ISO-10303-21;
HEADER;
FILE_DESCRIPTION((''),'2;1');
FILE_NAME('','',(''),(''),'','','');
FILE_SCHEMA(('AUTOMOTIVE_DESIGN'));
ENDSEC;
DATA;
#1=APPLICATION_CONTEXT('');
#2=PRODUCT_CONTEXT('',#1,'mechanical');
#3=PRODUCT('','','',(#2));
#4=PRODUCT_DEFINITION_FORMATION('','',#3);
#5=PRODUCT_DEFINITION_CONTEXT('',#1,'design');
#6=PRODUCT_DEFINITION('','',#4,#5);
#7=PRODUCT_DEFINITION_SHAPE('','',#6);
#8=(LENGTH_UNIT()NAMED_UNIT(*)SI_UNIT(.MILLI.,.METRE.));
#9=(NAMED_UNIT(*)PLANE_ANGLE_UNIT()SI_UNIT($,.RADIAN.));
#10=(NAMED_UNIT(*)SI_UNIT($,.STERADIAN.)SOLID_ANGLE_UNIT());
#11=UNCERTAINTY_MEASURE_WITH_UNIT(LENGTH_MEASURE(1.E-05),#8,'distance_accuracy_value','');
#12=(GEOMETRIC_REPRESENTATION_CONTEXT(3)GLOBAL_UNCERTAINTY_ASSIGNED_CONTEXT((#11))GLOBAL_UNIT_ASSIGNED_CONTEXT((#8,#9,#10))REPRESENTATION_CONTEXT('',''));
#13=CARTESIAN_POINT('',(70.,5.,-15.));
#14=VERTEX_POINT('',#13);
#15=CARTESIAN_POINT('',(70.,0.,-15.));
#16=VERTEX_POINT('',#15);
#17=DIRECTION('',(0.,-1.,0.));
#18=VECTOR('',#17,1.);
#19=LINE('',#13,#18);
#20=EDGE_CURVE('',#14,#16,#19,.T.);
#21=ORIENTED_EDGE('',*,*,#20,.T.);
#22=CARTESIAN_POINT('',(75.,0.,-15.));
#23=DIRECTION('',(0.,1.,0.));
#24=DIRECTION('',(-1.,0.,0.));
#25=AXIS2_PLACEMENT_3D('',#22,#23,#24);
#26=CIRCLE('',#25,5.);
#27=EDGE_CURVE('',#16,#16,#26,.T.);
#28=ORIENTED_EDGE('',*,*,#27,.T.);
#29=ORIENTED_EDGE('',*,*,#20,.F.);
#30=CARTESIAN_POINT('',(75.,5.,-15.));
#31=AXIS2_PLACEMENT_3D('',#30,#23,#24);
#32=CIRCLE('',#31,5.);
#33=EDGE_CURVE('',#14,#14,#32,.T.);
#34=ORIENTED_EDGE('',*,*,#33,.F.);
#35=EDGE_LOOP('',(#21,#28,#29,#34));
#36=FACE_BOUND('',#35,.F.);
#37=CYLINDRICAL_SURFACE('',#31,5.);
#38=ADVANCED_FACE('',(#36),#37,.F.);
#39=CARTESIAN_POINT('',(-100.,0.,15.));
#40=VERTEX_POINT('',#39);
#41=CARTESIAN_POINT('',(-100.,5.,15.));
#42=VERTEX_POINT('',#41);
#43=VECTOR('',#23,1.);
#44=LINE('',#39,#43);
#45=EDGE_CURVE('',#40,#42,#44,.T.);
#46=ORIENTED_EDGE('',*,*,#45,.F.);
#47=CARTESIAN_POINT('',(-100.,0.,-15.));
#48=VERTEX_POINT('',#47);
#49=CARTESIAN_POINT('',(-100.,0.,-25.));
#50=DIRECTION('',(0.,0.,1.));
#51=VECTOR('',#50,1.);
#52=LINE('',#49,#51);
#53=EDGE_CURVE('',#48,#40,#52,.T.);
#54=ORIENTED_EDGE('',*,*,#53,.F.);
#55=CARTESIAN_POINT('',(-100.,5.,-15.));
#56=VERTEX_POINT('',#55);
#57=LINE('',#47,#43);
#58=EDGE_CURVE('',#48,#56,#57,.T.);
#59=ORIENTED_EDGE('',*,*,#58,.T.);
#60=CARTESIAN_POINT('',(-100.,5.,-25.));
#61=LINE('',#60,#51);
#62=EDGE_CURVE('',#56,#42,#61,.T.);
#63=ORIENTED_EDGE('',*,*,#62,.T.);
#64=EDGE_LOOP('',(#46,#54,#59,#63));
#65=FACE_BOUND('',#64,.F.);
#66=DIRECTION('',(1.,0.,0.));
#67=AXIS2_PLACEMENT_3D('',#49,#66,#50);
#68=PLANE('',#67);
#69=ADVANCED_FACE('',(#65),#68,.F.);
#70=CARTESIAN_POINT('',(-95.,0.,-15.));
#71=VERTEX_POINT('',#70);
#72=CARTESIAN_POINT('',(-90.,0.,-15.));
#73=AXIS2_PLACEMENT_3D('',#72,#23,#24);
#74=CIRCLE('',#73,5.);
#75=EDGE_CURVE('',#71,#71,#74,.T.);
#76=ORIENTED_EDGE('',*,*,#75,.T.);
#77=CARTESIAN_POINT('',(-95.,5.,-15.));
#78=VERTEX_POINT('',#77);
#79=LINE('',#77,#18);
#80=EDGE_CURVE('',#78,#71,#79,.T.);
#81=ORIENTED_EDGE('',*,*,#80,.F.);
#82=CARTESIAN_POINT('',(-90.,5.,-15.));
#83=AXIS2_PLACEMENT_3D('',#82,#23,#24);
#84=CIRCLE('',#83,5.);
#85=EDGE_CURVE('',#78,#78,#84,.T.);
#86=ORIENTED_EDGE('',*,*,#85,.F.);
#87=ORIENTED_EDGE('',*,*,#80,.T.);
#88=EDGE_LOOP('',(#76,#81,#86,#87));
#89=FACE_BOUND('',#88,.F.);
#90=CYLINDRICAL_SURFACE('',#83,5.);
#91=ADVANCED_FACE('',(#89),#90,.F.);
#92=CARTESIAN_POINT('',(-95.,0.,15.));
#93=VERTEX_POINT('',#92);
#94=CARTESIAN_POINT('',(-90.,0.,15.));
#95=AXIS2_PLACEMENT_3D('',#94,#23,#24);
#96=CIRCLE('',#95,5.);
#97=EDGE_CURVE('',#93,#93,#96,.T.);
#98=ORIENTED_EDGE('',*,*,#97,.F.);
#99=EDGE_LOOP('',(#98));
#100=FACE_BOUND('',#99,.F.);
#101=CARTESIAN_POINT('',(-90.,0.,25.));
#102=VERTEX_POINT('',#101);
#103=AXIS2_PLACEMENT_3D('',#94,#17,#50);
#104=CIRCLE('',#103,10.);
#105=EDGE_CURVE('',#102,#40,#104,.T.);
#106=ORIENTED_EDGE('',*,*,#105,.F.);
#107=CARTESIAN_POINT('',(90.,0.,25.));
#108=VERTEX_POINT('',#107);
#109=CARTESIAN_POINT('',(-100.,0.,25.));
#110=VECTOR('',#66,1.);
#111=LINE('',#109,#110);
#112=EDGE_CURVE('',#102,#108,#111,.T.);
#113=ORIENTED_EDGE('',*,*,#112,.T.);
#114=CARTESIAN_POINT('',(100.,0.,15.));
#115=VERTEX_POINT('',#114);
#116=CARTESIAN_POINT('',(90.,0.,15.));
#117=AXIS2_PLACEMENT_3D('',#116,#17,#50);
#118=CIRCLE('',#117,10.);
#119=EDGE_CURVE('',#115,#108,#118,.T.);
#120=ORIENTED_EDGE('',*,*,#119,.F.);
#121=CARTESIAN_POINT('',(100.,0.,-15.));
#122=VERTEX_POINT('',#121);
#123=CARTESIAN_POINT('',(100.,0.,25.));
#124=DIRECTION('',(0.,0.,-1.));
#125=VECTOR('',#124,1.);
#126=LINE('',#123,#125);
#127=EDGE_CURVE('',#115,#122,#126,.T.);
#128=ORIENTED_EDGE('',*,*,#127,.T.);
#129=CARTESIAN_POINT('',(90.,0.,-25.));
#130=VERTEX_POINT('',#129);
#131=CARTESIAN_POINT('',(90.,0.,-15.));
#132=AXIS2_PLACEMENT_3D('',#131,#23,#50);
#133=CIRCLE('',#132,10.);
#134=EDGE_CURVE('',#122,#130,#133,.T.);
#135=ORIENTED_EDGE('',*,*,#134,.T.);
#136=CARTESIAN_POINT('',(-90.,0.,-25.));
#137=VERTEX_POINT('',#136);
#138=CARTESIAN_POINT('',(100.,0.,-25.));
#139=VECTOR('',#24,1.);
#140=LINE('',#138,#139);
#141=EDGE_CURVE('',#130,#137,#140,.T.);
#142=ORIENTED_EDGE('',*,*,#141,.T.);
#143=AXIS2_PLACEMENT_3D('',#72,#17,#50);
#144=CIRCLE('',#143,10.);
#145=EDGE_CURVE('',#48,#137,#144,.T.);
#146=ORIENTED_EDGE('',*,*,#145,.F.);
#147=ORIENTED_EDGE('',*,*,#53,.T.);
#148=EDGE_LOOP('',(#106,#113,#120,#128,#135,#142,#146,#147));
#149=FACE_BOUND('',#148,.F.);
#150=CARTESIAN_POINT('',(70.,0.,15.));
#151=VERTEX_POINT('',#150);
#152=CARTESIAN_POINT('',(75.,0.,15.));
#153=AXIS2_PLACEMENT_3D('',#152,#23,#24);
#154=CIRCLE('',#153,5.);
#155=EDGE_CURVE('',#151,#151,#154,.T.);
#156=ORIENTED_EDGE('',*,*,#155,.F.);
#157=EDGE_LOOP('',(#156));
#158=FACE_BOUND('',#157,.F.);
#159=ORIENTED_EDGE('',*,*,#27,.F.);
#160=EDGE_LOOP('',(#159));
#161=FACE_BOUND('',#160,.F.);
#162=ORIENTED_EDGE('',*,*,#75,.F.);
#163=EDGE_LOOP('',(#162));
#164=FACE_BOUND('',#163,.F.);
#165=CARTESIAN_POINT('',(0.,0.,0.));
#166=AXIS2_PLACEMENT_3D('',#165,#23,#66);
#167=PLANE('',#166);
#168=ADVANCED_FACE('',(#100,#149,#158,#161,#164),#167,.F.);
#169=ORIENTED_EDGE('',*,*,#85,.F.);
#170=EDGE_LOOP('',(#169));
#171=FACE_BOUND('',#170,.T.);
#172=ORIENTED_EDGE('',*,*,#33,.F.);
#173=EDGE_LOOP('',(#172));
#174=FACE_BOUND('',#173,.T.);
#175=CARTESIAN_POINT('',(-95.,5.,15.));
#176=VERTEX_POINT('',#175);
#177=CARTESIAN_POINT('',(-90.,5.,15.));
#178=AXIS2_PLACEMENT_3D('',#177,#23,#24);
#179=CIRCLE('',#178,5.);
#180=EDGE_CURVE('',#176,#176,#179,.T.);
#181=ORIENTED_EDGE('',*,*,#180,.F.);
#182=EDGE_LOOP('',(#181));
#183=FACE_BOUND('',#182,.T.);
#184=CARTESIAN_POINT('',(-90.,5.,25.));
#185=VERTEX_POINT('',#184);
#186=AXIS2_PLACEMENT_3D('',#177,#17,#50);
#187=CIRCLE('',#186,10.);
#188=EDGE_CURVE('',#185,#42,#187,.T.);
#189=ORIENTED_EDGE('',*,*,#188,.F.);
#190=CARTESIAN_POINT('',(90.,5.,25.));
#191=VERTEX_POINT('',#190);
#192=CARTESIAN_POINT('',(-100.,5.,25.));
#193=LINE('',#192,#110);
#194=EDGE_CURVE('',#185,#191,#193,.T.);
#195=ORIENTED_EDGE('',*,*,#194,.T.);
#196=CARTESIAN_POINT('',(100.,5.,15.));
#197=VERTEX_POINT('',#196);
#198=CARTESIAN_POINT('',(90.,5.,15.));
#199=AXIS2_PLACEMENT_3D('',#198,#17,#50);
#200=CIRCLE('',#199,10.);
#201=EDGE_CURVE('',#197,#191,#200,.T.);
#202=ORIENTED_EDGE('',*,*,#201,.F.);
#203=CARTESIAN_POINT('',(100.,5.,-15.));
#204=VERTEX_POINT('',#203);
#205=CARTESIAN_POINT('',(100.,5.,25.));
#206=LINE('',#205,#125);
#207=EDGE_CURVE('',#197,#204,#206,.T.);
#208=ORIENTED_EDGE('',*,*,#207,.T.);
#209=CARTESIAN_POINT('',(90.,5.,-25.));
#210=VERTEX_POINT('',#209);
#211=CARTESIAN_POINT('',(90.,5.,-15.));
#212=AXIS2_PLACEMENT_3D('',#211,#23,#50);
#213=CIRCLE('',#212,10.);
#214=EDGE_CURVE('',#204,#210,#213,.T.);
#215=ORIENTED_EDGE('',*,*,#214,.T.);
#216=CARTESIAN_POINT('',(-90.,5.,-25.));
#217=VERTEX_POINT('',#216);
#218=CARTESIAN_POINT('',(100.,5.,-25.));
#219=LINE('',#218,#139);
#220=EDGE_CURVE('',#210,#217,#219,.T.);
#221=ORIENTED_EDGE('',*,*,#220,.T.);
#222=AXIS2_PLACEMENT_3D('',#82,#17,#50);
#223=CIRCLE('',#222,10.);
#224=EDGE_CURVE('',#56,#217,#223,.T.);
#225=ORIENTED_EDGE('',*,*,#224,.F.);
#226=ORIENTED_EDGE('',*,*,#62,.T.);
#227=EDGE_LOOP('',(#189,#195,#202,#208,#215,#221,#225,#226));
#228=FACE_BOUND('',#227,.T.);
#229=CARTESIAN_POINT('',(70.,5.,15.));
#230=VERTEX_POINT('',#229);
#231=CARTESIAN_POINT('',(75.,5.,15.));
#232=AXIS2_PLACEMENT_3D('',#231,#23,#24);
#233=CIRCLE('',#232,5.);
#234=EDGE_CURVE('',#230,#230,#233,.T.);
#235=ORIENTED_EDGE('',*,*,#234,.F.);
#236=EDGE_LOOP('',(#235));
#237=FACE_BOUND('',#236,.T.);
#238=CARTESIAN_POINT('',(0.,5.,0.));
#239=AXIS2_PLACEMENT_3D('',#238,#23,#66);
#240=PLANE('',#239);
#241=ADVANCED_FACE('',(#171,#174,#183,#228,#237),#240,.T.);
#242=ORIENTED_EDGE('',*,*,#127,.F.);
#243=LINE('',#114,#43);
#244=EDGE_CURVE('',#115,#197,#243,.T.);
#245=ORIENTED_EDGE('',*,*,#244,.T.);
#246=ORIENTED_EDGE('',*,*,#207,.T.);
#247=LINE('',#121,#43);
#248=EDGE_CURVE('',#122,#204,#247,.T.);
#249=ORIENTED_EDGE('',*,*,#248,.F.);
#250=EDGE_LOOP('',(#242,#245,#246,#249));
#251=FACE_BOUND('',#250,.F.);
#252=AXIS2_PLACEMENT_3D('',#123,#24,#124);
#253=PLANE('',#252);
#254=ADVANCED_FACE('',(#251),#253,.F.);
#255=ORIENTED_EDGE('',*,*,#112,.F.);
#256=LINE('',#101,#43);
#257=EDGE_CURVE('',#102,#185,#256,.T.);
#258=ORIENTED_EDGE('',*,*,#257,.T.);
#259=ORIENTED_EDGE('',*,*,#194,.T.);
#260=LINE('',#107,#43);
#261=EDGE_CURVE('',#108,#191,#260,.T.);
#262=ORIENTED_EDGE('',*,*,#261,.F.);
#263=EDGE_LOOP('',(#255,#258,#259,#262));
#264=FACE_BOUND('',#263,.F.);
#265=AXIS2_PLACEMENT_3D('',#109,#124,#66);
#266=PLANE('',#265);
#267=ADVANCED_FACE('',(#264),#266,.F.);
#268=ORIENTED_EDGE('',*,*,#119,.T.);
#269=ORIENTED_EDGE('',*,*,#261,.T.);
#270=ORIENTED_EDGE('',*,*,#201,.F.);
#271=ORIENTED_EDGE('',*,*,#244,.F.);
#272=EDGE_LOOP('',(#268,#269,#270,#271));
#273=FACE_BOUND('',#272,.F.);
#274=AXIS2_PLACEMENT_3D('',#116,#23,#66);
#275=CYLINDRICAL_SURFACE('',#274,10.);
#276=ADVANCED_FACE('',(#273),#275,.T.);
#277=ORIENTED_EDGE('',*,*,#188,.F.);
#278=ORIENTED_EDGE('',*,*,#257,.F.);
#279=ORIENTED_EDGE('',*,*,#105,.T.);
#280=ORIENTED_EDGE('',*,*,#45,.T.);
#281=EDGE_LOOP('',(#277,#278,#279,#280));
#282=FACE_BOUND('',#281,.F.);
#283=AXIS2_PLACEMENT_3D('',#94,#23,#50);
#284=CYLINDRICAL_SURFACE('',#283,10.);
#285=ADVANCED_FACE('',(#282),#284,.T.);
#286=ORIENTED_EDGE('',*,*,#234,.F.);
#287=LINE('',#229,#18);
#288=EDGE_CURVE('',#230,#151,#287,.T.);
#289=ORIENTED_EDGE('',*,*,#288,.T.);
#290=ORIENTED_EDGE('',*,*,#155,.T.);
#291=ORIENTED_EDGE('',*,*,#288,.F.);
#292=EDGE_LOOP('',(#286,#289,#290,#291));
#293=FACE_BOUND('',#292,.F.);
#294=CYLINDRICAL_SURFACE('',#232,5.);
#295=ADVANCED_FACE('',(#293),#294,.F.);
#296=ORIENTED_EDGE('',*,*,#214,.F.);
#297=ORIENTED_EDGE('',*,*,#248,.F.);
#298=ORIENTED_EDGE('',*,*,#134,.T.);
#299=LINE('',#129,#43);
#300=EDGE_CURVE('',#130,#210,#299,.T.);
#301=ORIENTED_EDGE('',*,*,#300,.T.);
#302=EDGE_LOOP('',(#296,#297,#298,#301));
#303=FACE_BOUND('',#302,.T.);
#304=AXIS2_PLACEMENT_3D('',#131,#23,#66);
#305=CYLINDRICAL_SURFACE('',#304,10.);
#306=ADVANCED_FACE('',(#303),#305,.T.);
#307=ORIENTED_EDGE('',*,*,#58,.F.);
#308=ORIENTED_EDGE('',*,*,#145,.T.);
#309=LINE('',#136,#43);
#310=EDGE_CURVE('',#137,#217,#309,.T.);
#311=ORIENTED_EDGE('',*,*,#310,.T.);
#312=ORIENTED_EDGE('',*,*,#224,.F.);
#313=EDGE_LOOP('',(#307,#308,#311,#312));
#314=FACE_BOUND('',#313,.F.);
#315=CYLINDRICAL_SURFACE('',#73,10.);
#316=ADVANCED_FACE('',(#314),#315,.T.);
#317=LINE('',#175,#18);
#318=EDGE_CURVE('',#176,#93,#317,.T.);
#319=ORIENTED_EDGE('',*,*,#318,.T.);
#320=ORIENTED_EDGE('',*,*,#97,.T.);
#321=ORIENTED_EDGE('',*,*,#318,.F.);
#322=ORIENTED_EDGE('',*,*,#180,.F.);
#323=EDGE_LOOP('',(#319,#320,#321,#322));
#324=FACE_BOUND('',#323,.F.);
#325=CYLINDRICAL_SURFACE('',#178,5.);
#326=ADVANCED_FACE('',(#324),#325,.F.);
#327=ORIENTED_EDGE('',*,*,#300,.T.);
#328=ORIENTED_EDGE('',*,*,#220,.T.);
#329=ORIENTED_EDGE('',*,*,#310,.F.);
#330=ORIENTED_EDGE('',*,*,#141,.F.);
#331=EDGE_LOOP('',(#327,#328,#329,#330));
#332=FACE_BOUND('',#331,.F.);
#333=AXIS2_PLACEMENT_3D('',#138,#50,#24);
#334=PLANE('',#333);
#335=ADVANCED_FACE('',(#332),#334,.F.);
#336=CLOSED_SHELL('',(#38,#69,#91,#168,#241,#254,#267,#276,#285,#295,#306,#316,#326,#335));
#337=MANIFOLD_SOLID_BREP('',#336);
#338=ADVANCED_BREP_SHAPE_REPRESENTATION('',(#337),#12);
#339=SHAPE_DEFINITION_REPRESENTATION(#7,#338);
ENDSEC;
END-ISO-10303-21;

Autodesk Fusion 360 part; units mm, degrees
sketch "Sketch1" plane through (0, 0, 0) normal (0, 1, 0) x (1, 0, 0)
  line L0 (100, 25) -> (-100, 25)
  line L1 (-100, 25) -> (-100, -25)
  line L2 (-100, -25) -> (100, -25)
  line L3 (100, -25) -> (100, 25)
  line L4 (100, 25) -> (-100, -25) construction
  line L5 (-100, 25) -> (100, -25) construction
  dimension "d1" = 200
  dimension "d2" = 50
extrude "Extrude1" add sketch "Sketch1" along normal blind 5
fillet "Fillet1" radius 10 4 edges at (-100, 2.5, 25) (-100, 2.5, -25) (100, 2.5, -25) (100, 2.5, 25)
sketch "Sketch2" plane through (0, 5, 0) normal (0, 1, 0) x (-1, 0, 0)
  arc A0 (-90, 25) -> (-100, 15) centre (-90, 15) ccw
  line L0 (-100, 15) -> (-100, -15)
  arc A1 (-100, -15) -> (-90, -25) centre (-90, -15) ccw
  line L1 (-90, -25) -> (90, -25)
  arc A2 (90, -25) -> (100, -15) centre (90, -15) ccw
  line L2 (100, -15) -> (100, 15)
  arc A3 (100, 15) -> (90, 25) centre (90, 15) ccw
  line L3 (90, 25) -> (-90, 25)
  circle A4 centre (90, -15) radius 5
  circle A5 centre (90, 15) radius 5
  circle A6 centre (-75, -15) radius 5
  circle A7 centre (-75, 15) radius 5
  dimension "d6" = 10
  dimension "d7" = 15
extrude "Extrude2" cut sketch "Sketch2" against normal through all contours A4 | A5 | A6 | A7
